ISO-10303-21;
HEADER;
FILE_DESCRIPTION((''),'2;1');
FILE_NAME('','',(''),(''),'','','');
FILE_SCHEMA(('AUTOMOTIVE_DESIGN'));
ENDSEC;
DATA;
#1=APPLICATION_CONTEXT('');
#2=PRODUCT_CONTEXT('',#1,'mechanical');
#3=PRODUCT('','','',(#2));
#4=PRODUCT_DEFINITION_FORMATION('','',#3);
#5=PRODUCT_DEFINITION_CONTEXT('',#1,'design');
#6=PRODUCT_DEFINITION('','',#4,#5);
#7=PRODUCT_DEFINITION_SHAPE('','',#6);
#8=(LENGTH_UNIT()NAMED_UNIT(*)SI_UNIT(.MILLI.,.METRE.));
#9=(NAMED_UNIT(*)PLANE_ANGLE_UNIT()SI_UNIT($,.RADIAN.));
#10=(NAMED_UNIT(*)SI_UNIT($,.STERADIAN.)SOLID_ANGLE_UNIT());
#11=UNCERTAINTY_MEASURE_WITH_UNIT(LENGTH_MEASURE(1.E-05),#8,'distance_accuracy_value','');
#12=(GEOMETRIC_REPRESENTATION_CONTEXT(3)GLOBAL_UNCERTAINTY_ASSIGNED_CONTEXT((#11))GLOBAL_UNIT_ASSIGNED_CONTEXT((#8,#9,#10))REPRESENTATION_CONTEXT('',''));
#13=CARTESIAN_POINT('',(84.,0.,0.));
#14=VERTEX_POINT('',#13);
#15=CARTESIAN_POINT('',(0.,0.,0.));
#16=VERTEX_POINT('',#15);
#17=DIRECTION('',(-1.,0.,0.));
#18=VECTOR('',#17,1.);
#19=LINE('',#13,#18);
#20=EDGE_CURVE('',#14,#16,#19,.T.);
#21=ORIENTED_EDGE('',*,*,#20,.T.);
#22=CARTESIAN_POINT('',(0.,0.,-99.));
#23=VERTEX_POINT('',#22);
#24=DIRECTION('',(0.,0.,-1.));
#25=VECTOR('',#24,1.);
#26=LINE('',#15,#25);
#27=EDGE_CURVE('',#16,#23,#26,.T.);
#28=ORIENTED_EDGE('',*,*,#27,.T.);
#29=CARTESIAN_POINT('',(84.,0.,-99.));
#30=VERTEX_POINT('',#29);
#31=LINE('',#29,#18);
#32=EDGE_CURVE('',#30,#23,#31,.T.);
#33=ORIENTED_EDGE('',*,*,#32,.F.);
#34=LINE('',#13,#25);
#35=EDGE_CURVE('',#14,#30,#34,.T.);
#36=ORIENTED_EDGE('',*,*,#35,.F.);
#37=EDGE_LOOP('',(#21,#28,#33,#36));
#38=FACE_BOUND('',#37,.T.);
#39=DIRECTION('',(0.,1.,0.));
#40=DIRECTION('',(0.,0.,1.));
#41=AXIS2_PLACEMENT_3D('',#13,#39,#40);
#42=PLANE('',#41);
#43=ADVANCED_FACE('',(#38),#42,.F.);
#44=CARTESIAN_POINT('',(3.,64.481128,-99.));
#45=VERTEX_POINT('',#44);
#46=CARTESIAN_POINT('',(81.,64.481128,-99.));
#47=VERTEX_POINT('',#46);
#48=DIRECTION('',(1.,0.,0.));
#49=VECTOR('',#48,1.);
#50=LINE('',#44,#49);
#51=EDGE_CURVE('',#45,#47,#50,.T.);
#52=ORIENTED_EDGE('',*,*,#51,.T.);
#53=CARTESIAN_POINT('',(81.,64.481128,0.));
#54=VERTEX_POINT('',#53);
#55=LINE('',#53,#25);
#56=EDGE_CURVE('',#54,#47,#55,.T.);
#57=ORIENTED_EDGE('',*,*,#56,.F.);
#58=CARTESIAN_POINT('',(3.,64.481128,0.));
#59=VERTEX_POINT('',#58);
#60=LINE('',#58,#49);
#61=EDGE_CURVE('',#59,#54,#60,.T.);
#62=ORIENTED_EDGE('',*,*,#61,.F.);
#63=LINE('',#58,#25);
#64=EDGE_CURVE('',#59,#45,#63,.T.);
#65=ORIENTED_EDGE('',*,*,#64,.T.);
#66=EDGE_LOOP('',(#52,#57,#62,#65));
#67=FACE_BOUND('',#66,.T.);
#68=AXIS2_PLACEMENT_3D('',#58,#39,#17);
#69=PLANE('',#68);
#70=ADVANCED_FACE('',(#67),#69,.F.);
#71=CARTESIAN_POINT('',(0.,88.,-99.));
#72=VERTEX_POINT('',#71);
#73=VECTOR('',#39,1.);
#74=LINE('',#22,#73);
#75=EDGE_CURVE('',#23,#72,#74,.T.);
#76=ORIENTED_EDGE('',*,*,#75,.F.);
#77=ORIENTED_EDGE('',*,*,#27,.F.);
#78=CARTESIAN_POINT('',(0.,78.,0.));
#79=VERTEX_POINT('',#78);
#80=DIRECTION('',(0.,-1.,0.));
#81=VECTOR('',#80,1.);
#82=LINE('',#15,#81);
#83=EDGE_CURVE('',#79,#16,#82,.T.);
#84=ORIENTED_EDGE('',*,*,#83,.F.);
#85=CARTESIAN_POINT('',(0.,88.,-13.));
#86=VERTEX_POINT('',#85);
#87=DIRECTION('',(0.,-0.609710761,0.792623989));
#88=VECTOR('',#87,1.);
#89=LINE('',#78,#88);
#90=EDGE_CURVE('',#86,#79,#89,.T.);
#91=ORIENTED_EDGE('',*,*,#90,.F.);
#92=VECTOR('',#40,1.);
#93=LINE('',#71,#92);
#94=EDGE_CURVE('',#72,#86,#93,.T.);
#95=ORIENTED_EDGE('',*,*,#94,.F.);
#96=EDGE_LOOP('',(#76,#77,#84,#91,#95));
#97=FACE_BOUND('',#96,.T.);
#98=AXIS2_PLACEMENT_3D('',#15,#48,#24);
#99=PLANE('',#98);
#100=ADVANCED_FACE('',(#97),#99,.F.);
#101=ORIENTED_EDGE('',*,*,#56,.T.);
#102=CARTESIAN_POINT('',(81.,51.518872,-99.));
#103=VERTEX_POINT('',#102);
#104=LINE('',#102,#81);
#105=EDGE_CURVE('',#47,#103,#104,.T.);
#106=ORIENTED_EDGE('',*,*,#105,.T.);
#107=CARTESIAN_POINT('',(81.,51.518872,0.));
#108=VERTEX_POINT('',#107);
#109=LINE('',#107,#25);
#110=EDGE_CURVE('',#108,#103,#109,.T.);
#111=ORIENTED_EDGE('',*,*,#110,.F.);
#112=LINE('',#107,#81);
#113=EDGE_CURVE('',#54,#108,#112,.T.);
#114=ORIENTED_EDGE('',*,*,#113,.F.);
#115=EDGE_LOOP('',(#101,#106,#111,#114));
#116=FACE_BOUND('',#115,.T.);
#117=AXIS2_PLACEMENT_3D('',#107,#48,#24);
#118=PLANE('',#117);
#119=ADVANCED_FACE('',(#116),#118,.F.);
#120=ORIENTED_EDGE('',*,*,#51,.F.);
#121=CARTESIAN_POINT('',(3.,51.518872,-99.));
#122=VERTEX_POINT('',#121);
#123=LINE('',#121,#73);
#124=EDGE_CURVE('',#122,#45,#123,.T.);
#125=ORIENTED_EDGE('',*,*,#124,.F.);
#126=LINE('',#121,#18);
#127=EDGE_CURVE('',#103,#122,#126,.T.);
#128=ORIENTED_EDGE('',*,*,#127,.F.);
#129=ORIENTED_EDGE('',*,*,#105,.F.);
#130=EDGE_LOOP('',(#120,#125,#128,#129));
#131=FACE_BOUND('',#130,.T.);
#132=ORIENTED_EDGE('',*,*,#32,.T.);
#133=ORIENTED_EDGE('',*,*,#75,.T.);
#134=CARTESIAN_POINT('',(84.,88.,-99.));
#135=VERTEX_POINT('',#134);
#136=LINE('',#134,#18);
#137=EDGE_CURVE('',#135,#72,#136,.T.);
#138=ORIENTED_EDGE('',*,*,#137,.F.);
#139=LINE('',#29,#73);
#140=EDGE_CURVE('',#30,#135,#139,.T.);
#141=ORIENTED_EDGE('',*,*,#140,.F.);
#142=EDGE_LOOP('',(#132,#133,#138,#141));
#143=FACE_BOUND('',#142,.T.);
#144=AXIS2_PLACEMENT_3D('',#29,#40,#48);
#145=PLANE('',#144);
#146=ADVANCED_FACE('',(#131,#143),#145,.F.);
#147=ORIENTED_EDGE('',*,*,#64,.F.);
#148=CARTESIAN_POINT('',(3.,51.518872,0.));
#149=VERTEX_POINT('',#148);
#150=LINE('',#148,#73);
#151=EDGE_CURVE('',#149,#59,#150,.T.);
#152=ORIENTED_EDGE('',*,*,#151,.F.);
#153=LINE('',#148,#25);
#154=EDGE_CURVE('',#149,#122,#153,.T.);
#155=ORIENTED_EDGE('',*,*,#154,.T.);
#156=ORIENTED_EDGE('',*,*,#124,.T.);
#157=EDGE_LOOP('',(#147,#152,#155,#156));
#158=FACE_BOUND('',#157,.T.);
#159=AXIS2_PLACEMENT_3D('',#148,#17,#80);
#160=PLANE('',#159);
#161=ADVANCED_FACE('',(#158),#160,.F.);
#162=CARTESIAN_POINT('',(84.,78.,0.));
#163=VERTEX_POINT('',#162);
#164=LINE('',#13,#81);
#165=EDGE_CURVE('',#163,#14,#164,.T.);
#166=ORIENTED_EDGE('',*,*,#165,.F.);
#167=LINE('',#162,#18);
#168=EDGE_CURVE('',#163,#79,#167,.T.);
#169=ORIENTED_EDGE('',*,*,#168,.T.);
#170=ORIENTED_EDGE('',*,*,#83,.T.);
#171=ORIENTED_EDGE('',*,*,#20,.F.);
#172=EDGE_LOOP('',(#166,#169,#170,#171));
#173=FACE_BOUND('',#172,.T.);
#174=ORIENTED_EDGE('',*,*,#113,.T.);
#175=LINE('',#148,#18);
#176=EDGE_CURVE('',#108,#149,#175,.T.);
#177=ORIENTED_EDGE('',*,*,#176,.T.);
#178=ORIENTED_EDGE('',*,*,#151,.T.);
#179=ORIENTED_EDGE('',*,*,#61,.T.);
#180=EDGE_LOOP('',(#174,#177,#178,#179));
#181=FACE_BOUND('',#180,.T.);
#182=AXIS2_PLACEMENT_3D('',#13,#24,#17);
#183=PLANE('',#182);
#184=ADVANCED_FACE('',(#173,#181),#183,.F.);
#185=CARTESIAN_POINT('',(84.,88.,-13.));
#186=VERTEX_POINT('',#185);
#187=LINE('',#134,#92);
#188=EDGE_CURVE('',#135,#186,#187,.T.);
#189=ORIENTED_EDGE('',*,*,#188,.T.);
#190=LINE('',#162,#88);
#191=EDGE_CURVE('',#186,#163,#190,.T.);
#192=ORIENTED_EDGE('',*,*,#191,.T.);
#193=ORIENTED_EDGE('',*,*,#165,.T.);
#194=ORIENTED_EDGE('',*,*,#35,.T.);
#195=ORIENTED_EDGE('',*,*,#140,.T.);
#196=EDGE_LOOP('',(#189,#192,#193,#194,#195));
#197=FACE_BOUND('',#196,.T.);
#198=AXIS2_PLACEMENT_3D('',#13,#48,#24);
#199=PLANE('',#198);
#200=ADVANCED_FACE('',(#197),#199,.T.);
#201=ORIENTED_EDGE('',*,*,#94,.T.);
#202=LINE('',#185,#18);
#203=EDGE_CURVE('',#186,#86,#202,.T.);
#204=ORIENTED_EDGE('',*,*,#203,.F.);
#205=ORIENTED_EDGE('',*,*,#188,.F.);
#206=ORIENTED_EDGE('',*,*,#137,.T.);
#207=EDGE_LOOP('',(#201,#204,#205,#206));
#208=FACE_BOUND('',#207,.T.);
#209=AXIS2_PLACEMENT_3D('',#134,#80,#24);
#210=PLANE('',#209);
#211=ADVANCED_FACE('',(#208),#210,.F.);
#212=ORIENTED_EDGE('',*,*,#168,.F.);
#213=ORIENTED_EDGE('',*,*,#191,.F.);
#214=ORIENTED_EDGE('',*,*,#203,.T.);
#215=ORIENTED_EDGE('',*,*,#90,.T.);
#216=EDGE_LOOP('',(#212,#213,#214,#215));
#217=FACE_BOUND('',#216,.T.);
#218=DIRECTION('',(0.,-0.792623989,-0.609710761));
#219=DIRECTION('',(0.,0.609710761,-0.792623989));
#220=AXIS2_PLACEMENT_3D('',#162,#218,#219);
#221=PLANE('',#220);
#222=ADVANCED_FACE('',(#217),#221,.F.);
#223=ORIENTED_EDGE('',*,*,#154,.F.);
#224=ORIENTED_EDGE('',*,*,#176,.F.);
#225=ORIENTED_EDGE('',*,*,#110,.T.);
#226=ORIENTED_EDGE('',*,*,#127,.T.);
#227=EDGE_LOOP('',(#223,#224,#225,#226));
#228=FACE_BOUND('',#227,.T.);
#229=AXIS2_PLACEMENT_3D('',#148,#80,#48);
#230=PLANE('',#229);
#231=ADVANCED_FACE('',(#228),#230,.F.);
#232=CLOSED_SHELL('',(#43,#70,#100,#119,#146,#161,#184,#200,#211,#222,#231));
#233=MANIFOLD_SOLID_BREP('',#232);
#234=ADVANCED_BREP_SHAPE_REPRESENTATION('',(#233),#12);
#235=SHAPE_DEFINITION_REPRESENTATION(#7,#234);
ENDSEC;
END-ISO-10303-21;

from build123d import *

# Parameters (mm, degrees)
BOSS_EXTRUDE1_DEPTH = 84
SKETCH2_W           = 78
SKETCH2_H           = 12.96225643
CUT_EXTRUDE1_DEPTH  = 157.847059265


with BuildPart() as part:
    # Sketch1 → Boss-Extrude1 (new body)
    with BuildSketch(Plane(origin=(0, 0, 0), x_dir=(0, 0, -1), z_dir=(1, 0, 0))):
        Polygon((0, 0), (0, 78), (13, 88), (99, 88), (99, 0), align=None)
    extrude(amount=BOSS_EXTRUDE1_DEPTH)

    # Sketch2 → Cut-Extrude1 (cut, through all)
    with BuildSketch(Plane(origin=(0, 0, -99), x_dir=(-1, 0, 0), z_dir=(0, 0, -1))):
        with Locations((-42, 58)):
            Rectangle(SKETCH2_W, SKETCH2_H)
    extrude(amount=-CUT_EXTRUDE1_DEPTH, mode=Mode.SUBTRACT)


solid = part.part
